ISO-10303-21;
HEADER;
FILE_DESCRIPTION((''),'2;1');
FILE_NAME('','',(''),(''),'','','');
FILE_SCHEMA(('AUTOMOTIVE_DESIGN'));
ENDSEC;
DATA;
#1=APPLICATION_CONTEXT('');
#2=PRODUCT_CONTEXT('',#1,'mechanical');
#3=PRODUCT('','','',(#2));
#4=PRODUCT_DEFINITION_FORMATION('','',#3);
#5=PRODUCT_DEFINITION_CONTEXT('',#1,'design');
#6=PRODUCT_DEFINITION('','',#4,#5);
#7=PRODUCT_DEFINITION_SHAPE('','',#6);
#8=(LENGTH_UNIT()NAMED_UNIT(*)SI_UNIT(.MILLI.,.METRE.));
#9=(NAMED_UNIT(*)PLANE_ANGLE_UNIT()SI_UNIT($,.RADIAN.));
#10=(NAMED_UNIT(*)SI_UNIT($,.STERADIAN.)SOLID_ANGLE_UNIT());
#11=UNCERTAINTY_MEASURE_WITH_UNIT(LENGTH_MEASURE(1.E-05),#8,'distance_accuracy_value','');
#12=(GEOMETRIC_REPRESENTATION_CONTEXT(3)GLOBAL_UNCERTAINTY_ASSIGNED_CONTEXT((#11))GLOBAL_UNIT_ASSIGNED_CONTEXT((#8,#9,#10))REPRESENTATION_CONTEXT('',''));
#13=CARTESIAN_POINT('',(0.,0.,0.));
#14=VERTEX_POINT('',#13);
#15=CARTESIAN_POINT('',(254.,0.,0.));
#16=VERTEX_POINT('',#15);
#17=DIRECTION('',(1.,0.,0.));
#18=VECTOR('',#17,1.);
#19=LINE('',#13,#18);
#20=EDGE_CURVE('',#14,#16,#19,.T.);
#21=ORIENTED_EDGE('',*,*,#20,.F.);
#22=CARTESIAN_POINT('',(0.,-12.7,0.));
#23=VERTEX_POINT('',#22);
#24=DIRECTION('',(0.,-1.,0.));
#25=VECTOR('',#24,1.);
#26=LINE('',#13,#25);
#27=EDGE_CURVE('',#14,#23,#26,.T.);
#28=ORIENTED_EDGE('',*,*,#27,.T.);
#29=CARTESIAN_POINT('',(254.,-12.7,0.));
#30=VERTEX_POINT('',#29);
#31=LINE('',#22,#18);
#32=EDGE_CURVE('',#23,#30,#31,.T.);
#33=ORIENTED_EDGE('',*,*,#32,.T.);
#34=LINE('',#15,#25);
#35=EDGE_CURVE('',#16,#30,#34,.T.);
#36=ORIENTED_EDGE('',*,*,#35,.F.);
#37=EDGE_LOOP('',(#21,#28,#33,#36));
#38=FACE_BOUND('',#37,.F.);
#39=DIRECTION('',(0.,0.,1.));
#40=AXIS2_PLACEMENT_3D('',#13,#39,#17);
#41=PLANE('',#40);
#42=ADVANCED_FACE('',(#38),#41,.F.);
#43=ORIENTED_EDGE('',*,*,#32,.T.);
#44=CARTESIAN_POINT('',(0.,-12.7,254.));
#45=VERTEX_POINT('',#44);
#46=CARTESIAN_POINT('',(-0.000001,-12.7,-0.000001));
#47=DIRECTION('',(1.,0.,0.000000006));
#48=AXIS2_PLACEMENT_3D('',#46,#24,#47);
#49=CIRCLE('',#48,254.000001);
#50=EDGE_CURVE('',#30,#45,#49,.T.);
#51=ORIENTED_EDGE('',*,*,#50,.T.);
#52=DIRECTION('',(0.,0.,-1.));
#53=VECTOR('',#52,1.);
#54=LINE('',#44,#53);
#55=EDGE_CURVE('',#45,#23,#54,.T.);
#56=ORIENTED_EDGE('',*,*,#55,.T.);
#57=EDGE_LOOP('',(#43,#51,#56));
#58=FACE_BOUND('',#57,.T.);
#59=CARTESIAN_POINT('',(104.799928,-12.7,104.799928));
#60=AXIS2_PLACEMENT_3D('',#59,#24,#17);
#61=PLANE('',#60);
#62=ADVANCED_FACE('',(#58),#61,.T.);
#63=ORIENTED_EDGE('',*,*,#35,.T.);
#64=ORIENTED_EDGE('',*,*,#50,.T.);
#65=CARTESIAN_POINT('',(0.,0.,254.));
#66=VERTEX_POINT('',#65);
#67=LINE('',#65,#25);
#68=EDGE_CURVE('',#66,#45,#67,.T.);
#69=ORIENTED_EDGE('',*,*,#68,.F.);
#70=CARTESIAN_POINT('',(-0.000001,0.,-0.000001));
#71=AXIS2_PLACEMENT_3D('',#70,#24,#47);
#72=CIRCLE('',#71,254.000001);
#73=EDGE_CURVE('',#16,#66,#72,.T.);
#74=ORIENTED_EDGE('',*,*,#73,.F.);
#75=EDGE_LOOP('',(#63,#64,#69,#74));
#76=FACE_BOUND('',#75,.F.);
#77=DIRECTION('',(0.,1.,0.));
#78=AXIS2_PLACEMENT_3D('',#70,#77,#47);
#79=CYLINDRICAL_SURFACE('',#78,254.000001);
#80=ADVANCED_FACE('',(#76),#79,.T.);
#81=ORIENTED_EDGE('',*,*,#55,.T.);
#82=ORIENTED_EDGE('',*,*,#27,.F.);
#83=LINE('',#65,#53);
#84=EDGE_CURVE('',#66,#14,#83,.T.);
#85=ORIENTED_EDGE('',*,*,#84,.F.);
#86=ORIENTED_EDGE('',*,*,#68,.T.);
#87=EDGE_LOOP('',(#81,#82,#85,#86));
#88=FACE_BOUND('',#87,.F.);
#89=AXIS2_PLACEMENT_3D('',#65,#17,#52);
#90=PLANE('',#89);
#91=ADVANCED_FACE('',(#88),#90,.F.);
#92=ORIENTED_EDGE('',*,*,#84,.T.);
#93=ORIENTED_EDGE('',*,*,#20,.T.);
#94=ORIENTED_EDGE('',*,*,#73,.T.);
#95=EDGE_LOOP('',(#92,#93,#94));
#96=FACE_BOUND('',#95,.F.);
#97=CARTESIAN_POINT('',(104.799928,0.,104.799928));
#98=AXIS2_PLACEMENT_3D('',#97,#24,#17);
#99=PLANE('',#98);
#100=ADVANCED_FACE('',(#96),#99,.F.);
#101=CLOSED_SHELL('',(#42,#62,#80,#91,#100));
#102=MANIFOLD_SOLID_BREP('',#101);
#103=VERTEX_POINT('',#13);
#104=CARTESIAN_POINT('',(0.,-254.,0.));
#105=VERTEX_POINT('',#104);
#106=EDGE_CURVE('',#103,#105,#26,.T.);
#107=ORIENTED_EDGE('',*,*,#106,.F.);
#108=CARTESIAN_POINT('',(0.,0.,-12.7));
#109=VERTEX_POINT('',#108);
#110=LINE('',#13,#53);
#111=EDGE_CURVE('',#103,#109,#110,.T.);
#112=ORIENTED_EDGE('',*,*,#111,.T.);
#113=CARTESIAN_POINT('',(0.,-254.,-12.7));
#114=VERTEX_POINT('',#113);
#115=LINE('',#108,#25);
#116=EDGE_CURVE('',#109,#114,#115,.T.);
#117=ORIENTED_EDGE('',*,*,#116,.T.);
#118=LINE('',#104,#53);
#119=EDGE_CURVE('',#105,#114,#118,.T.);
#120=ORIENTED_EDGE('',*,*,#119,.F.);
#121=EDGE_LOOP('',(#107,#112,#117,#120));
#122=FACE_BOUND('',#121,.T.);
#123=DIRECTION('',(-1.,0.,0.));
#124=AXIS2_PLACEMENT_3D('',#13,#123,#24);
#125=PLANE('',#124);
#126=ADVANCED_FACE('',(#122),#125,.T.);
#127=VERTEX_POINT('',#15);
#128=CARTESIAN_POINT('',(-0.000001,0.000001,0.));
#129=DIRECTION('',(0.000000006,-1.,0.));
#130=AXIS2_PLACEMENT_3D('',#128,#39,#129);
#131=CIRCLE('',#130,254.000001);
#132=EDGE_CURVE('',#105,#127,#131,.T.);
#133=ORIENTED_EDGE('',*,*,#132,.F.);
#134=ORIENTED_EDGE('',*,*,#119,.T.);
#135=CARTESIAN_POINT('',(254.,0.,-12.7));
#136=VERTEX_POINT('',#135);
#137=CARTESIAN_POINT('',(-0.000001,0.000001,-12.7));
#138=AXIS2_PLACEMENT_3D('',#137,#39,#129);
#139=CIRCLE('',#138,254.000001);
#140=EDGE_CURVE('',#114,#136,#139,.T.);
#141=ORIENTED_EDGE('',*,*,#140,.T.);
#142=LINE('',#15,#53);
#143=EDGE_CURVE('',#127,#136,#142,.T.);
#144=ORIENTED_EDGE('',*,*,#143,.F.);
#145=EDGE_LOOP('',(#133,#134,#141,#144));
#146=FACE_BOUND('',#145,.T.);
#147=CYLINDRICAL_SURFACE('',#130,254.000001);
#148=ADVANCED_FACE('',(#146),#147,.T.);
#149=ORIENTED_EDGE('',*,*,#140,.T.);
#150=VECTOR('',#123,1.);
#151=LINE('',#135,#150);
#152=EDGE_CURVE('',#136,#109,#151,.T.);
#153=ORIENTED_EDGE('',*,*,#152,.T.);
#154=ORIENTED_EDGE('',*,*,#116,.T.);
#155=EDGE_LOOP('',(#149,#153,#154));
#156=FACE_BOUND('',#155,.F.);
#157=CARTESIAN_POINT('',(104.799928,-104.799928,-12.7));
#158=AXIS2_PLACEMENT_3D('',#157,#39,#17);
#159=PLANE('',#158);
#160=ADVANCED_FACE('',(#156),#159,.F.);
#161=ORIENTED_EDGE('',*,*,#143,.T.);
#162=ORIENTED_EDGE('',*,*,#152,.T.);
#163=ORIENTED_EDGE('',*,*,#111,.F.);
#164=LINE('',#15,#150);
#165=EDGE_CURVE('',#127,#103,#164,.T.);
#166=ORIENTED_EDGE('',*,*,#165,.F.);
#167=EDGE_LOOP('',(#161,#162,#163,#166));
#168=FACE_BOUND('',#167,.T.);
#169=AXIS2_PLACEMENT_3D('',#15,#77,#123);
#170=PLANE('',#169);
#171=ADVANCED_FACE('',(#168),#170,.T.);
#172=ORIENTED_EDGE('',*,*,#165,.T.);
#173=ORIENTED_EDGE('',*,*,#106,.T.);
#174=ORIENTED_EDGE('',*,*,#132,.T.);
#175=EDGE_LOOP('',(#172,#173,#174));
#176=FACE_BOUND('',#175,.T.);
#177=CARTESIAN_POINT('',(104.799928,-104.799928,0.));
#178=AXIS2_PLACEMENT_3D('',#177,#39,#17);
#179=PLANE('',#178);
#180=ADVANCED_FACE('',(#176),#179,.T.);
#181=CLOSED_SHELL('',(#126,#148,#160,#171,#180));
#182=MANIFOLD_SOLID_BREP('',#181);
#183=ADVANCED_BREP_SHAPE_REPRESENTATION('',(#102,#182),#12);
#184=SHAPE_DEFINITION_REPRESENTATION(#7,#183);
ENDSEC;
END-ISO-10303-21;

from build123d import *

# Parameters (mm, degrees)
F1_DEPTH = 12.7
F3_DEPTH = 12.7


with BuildPart() as f1:
    # F0 (on Top) → F1 (new body)
    with BuildSketch(Plane.XY):
        with BuildLine():
            Line((254, 0), (0, 0))
            Line((0, 0), (0, -254))
            ThreePointArc((0, -254), (179.605122, -179.605122), (254, 0))
        make_face()
    extrude(amount=-F1_DEPTH)


with BuildPart() as f3:
    # F2 (on Front) → F3 (new body)
    with BuildSketch(Plane.XZ):
        with BuildLine():
            Line((0, 254), (0, 0))
            Line((0, 0), (254, 0))
            ThreePointArc((254, 0), (179.605122, 179.605122), (0, 254))
        make_face()
    extrude(amount=F3_DEPTH)


solid = Compound([f1.part, f3.part])
